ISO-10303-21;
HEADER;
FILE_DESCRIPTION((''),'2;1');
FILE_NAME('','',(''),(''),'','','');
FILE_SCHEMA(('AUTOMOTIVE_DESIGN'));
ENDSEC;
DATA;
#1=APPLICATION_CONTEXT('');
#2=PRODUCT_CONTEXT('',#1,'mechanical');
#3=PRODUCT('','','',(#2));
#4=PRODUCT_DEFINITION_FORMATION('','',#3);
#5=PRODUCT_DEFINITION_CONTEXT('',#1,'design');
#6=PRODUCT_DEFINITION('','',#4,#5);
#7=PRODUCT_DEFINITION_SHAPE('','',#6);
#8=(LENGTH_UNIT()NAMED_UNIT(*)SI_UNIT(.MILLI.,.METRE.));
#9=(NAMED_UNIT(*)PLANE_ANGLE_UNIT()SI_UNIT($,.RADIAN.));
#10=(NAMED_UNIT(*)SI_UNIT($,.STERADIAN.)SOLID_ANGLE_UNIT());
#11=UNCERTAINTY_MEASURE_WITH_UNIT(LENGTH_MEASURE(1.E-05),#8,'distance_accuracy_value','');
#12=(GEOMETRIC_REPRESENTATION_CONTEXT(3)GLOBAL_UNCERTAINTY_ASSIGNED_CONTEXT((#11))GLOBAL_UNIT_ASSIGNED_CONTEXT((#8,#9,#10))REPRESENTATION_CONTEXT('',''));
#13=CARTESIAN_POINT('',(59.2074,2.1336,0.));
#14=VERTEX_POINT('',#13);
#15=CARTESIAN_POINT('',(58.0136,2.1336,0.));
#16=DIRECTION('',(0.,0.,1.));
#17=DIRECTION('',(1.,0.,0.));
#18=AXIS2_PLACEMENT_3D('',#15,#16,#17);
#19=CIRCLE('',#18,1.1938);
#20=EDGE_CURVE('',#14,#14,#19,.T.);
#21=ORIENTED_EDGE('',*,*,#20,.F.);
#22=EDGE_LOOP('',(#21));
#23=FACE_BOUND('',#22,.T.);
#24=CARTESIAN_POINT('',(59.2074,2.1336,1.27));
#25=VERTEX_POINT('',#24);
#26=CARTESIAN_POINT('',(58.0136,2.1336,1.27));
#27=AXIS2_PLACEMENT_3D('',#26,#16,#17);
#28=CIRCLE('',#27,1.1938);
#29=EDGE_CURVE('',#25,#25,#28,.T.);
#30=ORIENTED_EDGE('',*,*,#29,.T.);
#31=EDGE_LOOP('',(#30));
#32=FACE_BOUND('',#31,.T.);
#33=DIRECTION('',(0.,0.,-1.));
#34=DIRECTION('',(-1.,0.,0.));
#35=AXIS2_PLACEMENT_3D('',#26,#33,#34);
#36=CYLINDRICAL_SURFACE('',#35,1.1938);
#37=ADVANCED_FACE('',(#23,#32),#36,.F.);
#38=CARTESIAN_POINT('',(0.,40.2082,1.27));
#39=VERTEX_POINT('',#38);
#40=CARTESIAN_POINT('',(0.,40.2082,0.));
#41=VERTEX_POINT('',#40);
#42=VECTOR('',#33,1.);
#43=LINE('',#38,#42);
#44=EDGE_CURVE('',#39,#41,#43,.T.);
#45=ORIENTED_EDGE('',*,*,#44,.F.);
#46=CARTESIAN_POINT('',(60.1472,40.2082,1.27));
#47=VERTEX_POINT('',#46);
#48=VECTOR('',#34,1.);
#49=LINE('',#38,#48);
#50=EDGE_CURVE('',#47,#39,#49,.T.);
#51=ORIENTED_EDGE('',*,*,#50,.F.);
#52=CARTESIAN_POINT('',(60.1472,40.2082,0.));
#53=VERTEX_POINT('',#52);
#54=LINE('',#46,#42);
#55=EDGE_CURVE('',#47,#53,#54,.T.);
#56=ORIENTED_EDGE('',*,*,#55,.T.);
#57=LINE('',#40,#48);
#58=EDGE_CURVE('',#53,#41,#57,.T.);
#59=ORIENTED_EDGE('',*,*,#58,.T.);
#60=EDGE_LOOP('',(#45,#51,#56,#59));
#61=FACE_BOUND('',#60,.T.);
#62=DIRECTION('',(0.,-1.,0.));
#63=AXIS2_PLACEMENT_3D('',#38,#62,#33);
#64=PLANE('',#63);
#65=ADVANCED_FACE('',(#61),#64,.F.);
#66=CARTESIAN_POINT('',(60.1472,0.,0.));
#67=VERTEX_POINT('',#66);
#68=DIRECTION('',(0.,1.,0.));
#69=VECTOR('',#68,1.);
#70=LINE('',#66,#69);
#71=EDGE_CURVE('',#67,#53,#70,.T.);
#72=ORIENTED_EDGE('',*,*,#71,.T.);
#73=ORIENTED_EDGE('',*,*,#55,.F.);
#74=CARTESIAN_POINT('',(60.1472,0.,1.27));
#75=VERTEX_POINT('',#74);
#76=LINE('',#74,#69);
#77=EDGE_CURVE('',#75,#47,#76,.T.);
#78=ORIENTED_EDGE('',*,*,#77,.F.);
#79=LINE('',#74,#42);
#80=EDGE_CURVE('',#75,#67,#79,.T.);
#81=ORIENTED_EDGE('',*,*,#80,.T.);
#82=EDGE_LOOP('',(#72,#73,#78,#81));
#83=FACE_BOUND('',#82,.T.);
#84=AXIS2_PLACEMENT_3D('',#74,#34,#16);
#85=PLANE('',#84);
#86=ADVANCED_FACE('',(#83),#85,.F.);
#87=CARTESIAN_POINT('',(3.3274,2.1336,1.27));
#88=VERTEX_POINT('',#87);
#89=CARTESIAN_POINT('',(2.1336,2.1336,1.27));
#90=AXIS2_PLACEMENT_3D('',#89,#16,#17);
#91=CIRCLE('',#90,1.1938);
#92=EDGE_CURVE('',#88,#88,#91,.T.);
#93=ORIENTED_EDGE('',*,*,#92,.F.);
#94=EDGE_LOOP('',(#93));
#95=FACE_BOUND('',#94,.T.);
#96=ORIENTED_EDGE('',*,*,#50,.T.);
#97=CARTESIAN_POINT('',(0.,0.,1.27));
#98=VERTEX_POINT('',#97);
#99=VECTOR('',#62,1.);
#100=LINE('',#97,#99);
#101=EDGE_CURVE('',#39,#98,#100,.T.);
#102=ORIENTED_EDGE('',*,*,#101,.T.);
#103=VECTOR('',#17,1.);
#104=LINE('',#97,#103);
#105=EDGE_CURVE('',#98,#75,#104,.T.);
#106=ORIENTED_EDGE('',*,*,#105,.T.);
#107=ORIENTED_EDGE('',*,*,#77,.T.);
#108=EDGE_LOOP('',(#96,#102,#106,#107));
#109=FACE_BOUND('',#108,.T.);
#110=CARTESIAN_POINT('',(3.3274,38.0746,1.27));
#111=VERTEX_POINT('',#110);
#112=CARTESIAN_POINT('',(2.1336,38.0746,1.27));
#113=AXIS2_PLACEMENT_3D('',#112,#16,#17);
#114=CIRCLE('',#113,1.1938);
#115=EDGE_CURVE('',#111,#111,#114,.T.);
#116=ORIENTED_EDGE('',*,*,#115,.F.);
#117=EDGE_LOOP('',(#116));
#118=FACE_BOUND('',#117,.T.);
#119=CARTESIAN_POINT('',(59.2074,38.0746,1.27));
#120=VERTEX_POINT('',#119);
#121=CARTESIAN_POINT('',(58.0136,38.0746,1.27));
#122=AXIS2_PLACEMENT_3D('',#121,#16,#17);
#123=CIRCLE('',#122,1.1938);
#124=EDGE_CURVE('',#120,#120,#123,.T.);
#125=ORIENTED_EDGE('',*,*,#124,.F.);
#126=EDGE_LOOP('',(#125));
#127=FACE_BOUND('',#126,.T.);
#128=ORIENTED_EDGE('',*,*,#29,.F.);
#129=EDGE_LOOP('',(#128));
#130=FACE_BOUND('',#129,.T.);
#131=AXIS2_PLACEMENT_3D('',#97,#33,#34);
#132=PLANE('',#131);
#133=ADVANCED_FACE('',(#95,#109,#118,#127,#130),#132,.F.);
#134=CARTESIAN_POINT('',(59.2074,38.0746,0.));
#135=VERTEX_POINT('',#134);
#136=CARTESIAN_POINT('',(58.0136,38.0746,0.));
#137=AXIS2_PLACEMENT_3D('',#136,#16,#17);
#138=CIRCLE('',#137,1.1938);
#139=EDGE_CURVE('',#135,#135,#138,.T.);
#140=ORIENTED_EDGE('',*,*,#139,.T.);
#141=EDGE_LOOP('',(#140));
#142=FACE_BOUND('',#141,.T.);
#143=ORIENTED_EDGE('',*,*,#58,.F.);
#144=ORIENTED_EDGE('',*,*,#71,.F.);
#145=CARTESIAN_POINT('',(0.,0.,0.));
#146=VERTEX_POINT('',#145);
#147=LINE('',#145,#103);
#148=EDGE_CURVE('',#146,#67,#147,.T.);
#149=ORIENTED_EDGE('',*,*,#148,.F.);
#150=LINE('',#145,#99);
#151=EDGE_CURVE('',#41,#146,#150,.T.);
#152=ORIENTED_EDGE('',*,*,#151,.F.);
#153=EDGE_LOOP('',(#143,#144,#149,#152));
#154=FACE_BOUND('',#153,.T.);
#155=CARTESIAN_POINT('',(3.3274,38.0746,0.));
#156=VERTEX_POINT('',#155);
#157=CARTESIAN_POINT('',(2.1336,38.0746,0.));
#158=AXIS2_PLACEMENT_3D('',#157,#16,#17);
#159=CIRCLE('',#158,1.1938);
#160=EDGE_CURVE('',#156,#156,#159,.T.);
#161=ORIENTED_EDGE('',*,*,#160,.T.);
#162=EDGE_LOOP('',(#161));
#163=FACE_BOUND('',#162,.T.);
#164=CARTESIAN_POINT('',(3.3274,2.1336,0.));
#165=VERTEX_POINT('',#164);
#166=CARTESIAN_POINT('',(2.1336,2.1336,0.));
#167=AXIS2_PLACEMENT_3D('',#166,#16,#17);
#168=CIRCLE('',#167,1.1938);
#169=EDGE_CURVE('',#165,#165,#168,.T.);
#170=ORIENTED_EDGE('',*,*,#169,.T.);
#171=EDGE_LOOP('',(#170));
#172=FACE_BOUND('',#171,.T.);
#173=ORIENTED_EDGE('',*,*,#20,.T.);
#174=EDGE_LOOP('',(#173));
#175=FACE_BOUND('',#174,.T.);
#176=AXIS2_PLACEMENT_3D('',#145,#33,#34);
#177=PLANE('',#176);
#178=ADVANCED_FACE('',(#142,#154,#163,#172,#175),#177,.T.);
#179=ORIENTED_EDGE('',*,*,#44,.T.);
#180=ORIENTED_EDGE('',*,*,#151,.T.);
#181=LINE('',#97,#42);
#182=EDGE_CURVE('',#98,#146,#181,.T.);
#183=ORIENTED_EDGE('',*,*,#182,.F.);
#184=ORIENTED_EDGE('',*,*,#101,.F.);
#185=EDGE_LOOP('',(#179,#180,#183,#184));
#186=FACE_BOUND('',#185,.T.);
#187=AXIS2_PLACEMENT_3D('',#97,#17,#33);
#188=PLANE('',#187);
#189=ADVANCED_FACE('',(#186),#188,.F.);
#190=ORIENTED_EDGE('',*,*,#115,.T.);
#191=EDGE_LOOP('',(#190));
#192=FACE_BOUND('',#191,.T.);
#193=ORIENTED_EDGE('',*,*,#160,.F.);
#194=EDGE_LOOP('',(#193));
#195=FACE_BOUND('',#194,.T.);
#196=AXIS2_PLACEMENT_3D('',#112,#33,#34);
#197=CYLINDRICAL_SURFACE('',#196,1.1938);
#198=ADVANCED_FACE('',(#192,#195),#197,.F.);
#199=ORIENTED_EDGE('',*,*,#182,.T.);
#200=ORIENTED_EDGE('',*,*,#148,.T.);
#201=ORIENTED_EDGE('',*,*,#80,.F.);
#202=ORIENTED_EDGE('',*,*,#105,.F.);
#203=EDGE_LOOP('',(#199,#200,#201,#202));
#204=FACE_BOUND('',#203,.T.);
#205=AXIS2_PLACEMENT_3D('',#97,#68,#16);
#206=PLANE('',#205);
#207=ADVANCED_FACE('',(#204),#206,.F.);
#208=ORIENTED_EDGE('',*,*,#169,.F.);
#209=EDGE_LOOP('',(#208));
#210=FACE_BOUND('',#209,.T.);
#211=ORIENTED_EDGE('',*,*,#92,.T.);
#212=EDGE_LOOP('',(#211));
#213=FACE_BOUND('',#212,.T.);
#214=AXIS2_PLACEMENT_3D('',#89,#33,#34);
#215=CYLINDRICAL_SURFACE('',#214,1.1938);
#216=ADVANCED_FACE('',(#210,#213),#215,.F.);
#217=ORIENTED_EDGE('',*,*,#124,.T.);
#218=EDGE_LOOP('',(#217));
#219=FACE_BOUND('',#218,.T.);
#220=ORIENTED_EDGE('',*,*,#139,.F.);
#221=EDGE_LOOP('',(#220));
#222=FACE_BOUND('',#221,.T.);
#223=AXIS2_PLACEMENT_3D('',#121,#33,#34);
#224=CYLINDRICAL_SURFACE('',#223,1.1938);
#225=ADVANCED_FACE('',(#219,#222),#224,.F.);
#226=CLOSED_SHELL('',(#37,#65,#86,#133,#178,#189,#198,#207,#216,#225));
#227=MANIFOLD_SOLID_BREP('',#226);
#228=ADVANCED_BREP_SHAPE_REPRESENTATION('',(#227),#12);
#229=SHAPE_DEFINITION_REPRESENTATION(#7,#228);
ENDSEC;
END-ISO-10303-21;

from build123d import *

# Parameters (mm, degrees)
SKETCH1_W           = 60.1472
SKETCH1_H           = 40.2082
SKETCH1_R           = 1.1938
BOSS_EXTRUDE1_DEPTH = 1.27


with BuildPart() as part:
    # Sketch1 → Boss-Extrude1 (new body)
    with BuildSketch(Plane.XY):
        with Locations((30.0736, 20.1041)):
            Rectangle(SKETCH1_W, SKETCH1_H)
        with Locations((2.1336, 38.0746)):
            Circle(SKETCH1_R, mode=Mode.SUBTRACT)
        with Locations((58.0136, 38.0746)):
            Circle(SKETCH1_R, mode=Mode.SUBTRACT)
        with Locations((2.1336, 2.1336)):
            Circle(SKETCH1_R, mode=Mode.SUBTRACT)
        with Locations((58.0136, 2.1336)):
            Circle(SKETCH1_R, mode=Mode.SUBTRACT)
    extrude(amount=BOSS_EXTRUDE1_DEPTH)


solid = part.part
